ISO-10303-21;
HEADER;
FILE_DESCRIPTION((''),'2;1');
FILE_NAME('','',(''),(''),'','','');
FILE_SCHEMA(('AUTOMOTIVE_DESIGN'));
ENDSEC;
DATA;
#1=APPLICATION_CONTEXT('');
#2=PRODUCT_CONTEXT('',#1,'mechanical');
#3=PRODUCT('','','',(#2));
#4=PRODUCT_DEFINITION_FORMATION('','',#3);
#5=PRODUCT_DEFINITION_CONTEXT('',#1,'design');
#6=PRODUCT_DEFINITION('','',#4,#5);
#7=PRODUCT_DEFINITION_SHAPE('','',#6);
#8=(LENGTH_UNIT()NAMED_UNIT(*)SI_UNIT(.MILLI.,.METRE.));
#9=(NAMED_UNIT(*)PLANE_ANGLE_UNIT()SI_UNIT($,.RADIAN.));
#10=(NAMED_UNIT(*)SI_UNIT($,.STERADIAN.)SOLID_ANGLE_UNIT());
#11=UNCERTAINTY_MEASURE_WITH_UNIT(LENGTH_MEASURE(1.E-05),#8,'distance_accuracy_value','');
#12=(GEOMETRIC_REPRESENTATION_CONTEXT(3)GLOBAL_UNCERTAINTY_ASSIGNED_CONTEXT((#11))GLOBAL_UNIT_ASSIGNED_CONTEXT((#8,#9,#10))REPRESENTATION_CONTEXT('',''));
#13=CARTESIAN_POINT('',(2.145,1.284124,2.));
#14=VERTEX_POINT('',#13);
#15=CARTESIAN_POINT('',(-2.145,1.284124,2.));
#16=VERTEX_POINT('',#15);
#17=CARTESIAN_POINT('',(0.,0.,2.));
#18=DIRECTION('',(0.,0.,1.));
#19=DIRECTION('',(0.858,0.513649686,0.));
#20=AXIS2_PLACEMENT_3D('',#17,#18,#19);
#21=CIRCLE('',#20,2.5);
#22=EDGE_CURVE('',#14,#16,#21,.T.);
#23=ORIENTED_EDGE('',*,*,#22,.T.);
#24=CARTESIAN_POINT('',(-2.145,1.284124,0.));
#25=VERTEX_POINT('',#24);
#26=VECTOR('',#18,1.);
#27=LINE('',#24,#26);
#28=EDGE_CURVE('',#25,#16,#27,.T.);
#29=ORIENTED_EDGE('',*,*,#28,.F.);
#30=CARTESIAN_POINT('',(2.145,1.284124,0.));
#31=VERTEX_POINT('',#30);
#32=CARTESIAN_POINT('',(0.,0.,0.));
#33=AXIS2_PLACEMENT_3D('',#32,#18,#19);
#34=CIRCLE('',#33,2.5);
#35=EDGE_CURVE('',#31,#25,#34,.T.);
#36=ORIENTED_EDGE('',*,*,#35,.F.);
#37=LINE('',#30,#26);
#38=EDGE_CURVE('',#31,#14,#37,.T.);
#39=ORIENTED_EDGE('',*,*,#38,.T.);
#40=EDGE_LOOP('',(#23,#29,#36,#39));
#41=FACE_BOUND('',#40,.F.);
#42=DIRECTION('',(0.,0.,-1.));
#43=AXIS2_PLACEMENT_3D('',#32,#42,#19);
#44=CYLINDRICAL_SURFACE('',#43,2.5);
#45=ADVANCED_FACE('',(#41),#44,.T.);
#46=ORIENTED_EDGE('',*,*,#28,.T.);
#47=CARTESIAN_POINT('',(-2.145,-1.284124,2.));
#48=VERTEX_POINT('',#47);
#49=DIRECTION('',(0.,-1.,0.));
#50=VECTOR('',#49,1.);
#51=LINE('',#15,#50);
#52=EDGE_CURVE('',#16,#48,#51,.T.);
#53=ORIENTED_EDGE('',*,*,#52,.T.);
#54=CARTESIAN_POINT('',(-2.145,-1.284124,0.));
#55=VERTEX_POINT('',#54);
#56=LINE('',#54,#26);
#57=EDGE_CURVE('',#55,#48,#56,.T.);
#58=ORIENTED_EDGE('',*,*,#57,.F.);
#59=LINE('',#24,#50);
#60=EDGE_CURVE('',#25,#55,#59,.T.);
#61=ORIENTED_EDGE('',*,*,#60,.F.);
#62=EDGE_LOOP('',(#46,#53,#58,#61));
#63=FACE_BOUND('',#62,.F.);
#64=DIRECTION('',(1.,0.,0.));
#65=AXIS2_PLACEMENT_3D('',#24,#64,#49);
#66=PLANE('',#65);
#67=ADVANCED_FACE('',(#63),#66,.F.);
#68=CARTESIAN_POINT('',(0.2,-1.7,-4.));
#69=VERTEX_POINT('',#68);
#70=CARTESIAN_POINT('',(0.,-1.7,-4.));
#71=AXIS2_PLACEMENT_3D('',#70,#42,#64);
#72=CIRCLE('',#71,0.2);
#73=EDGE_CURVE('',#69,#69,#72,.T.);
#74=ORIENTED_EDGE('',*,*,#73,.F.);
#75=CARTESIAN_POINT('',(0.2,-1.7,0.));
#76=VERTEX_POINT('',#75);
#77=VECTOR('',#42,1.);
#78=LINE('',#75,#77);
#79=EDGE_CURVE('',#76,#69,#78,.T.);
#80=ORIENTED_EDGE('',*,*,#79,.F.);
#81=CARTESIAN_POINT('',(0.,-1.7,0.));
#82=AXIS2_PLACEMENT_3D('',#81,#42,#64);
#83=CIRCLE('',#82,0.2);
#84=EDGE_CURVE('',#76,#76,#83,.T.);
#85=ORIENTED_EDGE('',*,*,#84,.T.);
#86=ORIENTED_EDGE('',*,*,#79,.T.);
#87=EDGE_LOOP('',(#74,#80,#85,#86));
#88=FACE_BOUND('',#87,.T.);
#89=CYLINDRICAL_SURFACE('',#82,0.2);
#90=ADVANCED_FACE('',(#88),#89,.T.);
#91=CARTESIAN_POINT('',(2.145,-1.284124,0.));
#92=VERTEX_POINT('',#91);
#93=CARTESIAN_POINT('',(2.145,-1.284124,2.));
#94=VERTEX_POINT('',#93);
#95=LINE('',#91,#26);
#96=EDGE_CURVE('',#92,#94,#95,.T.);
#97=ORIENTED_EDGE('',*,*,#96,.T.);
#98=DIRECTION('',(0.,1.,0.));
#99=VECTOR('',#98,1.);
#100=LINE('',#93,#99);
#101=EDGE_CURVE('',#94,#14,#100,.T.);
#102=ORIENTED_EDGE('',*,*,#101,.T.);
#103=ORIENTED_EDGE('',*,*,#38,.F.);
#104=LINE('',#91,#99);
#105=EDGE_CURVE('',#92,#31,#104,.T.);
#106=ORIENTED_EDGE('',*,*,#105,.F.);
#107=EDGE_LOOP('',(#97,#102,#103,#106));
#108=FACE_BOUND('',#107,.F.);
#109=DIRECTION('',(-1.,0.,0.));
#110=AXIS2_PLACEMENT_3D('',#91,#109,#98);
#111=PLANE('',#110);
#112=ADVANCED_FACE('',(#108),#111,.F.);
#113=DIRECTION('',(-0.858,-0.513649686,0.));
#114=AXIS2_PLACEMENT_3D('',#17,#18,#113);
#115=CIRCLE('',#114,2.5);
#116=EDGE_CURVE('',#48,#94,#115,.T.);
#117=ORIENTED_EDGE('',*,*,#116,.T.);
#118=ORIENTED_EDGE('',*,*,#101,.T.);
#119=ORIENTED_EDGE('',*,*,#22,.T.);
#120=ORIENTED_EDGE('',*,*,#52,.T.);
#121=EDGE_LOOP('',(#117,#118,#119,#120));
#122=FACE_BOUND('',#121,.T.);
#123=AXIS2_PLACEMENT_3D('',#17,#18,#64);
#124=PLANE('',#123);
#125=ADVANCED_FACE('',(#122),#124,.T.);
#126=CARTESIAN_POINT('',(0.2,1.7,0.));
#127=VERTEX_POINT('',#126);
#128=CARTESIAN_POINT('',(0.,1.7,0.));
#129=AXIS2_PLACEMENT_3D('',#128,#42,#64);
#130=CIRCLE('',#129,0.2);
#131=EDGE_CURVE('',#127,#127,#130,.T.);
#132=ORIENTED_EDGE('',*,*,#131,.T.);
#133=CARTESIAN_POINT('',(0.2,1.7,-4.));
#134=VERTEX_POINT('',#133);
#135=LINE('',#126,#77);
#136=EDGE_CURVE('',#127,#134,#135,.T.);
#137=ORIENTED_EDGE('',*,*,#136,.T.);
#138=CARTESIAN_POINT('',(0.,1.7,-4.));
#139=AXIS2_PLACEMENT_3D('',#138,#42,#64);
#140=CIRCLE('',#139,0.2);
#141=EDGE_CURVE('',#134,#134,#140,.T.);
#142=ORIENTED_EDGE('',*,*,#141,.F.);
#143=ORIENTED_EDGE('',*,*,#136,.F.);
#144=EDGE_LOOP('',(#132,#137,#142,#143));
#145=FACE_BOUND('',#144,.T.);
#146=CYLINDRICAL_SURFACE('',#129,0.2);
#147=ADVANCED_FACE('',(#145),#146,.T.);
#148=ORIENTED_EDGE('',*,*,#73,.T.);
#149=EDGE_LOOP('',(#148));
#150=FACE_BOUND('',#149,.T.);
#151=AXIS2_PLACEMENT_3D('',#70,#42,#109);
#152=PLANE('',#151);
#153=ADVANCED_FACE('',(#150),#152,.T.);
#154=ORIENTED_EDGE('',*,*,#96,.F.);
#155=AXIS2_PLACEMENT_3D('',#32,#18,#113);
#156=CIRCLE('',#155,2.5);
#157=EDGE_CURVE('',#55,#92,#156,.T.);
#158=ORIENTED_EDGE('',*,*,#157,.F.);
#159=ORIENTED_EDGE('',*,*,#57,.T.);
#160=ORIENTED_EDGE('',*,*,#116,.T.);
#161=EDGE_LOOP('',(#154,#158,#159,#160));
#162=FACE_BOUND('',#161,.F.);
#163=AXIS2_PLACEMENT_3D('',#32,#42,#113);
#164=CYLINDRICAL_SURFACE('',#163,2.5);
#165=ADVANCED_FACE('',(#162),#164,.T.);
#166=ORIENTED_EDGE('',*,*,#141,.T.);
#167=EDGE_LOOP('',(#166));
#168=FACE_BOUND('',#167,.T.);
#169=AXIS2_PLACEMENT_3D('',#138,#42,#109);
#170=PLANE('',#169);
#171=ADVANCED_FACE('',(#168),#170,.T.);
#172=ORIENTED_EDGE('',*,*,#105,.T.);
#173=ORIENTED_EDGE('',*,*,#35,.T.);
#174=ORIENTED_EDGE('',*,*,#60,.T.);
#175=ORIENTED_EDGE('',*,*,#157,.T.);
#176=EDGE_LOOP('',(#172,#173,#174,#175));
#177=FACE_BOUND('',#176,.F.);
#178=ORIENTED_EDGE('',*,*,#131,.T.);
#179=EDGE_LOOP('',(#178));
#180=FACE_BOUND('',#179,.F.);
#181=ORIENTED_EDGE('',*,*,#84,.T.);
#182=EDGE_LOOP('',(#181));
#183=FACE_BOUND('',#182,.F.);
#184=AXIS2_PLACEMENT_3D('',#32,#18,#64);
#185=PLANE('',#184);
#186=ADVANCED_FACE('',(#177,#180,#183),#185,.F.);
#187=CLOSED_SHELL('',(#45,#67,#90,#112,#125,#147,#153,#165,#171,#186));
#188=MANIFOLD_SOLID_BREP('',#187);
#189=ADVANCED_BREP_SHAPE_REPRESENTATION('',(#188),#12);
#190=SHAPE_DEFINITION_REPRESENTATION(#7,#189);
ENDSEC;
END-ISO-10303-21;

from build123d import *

# Parameters (mm, degrees)
F1_DEPTH = 2
F2_R     = 0.2


with BuildPart() as f1:
    # F0 (on Top) → F1 (new body)
    with BuildSketch(Plane.XY):
        with BuildLine():
            Line((-2.145, 1.2841242152), (-2.145, -1.2841242152))
            ThreePointArc((-2.145, -1.2841242152), (0, -2.5), (2.145, -1.2841242152))
            Line((2.145, -1.2841242152), (2.145, 1.2841242152))
            ThreePointArc((2.145, 1.2841242152), (0, 2.5), (-2.145, 1.2841242152))
        make_face()
    extrude(amount=F1_DEPTH)

    # F4: sweep along a path in F3
    with BuildLine(Plane.XZ) as f4_path:
        Line((0, 0), (0, -4))
    # F2 (on face) → F4 (sweep)
    with BuildSketch(Plane(origin=(0, 0, 0), x_dir=(1, 0, 0), z_dir=(0, 0, -1))):
        with Locations((0, -1.7)):
            Circle(F2_R)
        with Locations((0, 1.7)):
            Circle(F2_R)
    sweep(path=f4_path.line)


solid = f1.part
